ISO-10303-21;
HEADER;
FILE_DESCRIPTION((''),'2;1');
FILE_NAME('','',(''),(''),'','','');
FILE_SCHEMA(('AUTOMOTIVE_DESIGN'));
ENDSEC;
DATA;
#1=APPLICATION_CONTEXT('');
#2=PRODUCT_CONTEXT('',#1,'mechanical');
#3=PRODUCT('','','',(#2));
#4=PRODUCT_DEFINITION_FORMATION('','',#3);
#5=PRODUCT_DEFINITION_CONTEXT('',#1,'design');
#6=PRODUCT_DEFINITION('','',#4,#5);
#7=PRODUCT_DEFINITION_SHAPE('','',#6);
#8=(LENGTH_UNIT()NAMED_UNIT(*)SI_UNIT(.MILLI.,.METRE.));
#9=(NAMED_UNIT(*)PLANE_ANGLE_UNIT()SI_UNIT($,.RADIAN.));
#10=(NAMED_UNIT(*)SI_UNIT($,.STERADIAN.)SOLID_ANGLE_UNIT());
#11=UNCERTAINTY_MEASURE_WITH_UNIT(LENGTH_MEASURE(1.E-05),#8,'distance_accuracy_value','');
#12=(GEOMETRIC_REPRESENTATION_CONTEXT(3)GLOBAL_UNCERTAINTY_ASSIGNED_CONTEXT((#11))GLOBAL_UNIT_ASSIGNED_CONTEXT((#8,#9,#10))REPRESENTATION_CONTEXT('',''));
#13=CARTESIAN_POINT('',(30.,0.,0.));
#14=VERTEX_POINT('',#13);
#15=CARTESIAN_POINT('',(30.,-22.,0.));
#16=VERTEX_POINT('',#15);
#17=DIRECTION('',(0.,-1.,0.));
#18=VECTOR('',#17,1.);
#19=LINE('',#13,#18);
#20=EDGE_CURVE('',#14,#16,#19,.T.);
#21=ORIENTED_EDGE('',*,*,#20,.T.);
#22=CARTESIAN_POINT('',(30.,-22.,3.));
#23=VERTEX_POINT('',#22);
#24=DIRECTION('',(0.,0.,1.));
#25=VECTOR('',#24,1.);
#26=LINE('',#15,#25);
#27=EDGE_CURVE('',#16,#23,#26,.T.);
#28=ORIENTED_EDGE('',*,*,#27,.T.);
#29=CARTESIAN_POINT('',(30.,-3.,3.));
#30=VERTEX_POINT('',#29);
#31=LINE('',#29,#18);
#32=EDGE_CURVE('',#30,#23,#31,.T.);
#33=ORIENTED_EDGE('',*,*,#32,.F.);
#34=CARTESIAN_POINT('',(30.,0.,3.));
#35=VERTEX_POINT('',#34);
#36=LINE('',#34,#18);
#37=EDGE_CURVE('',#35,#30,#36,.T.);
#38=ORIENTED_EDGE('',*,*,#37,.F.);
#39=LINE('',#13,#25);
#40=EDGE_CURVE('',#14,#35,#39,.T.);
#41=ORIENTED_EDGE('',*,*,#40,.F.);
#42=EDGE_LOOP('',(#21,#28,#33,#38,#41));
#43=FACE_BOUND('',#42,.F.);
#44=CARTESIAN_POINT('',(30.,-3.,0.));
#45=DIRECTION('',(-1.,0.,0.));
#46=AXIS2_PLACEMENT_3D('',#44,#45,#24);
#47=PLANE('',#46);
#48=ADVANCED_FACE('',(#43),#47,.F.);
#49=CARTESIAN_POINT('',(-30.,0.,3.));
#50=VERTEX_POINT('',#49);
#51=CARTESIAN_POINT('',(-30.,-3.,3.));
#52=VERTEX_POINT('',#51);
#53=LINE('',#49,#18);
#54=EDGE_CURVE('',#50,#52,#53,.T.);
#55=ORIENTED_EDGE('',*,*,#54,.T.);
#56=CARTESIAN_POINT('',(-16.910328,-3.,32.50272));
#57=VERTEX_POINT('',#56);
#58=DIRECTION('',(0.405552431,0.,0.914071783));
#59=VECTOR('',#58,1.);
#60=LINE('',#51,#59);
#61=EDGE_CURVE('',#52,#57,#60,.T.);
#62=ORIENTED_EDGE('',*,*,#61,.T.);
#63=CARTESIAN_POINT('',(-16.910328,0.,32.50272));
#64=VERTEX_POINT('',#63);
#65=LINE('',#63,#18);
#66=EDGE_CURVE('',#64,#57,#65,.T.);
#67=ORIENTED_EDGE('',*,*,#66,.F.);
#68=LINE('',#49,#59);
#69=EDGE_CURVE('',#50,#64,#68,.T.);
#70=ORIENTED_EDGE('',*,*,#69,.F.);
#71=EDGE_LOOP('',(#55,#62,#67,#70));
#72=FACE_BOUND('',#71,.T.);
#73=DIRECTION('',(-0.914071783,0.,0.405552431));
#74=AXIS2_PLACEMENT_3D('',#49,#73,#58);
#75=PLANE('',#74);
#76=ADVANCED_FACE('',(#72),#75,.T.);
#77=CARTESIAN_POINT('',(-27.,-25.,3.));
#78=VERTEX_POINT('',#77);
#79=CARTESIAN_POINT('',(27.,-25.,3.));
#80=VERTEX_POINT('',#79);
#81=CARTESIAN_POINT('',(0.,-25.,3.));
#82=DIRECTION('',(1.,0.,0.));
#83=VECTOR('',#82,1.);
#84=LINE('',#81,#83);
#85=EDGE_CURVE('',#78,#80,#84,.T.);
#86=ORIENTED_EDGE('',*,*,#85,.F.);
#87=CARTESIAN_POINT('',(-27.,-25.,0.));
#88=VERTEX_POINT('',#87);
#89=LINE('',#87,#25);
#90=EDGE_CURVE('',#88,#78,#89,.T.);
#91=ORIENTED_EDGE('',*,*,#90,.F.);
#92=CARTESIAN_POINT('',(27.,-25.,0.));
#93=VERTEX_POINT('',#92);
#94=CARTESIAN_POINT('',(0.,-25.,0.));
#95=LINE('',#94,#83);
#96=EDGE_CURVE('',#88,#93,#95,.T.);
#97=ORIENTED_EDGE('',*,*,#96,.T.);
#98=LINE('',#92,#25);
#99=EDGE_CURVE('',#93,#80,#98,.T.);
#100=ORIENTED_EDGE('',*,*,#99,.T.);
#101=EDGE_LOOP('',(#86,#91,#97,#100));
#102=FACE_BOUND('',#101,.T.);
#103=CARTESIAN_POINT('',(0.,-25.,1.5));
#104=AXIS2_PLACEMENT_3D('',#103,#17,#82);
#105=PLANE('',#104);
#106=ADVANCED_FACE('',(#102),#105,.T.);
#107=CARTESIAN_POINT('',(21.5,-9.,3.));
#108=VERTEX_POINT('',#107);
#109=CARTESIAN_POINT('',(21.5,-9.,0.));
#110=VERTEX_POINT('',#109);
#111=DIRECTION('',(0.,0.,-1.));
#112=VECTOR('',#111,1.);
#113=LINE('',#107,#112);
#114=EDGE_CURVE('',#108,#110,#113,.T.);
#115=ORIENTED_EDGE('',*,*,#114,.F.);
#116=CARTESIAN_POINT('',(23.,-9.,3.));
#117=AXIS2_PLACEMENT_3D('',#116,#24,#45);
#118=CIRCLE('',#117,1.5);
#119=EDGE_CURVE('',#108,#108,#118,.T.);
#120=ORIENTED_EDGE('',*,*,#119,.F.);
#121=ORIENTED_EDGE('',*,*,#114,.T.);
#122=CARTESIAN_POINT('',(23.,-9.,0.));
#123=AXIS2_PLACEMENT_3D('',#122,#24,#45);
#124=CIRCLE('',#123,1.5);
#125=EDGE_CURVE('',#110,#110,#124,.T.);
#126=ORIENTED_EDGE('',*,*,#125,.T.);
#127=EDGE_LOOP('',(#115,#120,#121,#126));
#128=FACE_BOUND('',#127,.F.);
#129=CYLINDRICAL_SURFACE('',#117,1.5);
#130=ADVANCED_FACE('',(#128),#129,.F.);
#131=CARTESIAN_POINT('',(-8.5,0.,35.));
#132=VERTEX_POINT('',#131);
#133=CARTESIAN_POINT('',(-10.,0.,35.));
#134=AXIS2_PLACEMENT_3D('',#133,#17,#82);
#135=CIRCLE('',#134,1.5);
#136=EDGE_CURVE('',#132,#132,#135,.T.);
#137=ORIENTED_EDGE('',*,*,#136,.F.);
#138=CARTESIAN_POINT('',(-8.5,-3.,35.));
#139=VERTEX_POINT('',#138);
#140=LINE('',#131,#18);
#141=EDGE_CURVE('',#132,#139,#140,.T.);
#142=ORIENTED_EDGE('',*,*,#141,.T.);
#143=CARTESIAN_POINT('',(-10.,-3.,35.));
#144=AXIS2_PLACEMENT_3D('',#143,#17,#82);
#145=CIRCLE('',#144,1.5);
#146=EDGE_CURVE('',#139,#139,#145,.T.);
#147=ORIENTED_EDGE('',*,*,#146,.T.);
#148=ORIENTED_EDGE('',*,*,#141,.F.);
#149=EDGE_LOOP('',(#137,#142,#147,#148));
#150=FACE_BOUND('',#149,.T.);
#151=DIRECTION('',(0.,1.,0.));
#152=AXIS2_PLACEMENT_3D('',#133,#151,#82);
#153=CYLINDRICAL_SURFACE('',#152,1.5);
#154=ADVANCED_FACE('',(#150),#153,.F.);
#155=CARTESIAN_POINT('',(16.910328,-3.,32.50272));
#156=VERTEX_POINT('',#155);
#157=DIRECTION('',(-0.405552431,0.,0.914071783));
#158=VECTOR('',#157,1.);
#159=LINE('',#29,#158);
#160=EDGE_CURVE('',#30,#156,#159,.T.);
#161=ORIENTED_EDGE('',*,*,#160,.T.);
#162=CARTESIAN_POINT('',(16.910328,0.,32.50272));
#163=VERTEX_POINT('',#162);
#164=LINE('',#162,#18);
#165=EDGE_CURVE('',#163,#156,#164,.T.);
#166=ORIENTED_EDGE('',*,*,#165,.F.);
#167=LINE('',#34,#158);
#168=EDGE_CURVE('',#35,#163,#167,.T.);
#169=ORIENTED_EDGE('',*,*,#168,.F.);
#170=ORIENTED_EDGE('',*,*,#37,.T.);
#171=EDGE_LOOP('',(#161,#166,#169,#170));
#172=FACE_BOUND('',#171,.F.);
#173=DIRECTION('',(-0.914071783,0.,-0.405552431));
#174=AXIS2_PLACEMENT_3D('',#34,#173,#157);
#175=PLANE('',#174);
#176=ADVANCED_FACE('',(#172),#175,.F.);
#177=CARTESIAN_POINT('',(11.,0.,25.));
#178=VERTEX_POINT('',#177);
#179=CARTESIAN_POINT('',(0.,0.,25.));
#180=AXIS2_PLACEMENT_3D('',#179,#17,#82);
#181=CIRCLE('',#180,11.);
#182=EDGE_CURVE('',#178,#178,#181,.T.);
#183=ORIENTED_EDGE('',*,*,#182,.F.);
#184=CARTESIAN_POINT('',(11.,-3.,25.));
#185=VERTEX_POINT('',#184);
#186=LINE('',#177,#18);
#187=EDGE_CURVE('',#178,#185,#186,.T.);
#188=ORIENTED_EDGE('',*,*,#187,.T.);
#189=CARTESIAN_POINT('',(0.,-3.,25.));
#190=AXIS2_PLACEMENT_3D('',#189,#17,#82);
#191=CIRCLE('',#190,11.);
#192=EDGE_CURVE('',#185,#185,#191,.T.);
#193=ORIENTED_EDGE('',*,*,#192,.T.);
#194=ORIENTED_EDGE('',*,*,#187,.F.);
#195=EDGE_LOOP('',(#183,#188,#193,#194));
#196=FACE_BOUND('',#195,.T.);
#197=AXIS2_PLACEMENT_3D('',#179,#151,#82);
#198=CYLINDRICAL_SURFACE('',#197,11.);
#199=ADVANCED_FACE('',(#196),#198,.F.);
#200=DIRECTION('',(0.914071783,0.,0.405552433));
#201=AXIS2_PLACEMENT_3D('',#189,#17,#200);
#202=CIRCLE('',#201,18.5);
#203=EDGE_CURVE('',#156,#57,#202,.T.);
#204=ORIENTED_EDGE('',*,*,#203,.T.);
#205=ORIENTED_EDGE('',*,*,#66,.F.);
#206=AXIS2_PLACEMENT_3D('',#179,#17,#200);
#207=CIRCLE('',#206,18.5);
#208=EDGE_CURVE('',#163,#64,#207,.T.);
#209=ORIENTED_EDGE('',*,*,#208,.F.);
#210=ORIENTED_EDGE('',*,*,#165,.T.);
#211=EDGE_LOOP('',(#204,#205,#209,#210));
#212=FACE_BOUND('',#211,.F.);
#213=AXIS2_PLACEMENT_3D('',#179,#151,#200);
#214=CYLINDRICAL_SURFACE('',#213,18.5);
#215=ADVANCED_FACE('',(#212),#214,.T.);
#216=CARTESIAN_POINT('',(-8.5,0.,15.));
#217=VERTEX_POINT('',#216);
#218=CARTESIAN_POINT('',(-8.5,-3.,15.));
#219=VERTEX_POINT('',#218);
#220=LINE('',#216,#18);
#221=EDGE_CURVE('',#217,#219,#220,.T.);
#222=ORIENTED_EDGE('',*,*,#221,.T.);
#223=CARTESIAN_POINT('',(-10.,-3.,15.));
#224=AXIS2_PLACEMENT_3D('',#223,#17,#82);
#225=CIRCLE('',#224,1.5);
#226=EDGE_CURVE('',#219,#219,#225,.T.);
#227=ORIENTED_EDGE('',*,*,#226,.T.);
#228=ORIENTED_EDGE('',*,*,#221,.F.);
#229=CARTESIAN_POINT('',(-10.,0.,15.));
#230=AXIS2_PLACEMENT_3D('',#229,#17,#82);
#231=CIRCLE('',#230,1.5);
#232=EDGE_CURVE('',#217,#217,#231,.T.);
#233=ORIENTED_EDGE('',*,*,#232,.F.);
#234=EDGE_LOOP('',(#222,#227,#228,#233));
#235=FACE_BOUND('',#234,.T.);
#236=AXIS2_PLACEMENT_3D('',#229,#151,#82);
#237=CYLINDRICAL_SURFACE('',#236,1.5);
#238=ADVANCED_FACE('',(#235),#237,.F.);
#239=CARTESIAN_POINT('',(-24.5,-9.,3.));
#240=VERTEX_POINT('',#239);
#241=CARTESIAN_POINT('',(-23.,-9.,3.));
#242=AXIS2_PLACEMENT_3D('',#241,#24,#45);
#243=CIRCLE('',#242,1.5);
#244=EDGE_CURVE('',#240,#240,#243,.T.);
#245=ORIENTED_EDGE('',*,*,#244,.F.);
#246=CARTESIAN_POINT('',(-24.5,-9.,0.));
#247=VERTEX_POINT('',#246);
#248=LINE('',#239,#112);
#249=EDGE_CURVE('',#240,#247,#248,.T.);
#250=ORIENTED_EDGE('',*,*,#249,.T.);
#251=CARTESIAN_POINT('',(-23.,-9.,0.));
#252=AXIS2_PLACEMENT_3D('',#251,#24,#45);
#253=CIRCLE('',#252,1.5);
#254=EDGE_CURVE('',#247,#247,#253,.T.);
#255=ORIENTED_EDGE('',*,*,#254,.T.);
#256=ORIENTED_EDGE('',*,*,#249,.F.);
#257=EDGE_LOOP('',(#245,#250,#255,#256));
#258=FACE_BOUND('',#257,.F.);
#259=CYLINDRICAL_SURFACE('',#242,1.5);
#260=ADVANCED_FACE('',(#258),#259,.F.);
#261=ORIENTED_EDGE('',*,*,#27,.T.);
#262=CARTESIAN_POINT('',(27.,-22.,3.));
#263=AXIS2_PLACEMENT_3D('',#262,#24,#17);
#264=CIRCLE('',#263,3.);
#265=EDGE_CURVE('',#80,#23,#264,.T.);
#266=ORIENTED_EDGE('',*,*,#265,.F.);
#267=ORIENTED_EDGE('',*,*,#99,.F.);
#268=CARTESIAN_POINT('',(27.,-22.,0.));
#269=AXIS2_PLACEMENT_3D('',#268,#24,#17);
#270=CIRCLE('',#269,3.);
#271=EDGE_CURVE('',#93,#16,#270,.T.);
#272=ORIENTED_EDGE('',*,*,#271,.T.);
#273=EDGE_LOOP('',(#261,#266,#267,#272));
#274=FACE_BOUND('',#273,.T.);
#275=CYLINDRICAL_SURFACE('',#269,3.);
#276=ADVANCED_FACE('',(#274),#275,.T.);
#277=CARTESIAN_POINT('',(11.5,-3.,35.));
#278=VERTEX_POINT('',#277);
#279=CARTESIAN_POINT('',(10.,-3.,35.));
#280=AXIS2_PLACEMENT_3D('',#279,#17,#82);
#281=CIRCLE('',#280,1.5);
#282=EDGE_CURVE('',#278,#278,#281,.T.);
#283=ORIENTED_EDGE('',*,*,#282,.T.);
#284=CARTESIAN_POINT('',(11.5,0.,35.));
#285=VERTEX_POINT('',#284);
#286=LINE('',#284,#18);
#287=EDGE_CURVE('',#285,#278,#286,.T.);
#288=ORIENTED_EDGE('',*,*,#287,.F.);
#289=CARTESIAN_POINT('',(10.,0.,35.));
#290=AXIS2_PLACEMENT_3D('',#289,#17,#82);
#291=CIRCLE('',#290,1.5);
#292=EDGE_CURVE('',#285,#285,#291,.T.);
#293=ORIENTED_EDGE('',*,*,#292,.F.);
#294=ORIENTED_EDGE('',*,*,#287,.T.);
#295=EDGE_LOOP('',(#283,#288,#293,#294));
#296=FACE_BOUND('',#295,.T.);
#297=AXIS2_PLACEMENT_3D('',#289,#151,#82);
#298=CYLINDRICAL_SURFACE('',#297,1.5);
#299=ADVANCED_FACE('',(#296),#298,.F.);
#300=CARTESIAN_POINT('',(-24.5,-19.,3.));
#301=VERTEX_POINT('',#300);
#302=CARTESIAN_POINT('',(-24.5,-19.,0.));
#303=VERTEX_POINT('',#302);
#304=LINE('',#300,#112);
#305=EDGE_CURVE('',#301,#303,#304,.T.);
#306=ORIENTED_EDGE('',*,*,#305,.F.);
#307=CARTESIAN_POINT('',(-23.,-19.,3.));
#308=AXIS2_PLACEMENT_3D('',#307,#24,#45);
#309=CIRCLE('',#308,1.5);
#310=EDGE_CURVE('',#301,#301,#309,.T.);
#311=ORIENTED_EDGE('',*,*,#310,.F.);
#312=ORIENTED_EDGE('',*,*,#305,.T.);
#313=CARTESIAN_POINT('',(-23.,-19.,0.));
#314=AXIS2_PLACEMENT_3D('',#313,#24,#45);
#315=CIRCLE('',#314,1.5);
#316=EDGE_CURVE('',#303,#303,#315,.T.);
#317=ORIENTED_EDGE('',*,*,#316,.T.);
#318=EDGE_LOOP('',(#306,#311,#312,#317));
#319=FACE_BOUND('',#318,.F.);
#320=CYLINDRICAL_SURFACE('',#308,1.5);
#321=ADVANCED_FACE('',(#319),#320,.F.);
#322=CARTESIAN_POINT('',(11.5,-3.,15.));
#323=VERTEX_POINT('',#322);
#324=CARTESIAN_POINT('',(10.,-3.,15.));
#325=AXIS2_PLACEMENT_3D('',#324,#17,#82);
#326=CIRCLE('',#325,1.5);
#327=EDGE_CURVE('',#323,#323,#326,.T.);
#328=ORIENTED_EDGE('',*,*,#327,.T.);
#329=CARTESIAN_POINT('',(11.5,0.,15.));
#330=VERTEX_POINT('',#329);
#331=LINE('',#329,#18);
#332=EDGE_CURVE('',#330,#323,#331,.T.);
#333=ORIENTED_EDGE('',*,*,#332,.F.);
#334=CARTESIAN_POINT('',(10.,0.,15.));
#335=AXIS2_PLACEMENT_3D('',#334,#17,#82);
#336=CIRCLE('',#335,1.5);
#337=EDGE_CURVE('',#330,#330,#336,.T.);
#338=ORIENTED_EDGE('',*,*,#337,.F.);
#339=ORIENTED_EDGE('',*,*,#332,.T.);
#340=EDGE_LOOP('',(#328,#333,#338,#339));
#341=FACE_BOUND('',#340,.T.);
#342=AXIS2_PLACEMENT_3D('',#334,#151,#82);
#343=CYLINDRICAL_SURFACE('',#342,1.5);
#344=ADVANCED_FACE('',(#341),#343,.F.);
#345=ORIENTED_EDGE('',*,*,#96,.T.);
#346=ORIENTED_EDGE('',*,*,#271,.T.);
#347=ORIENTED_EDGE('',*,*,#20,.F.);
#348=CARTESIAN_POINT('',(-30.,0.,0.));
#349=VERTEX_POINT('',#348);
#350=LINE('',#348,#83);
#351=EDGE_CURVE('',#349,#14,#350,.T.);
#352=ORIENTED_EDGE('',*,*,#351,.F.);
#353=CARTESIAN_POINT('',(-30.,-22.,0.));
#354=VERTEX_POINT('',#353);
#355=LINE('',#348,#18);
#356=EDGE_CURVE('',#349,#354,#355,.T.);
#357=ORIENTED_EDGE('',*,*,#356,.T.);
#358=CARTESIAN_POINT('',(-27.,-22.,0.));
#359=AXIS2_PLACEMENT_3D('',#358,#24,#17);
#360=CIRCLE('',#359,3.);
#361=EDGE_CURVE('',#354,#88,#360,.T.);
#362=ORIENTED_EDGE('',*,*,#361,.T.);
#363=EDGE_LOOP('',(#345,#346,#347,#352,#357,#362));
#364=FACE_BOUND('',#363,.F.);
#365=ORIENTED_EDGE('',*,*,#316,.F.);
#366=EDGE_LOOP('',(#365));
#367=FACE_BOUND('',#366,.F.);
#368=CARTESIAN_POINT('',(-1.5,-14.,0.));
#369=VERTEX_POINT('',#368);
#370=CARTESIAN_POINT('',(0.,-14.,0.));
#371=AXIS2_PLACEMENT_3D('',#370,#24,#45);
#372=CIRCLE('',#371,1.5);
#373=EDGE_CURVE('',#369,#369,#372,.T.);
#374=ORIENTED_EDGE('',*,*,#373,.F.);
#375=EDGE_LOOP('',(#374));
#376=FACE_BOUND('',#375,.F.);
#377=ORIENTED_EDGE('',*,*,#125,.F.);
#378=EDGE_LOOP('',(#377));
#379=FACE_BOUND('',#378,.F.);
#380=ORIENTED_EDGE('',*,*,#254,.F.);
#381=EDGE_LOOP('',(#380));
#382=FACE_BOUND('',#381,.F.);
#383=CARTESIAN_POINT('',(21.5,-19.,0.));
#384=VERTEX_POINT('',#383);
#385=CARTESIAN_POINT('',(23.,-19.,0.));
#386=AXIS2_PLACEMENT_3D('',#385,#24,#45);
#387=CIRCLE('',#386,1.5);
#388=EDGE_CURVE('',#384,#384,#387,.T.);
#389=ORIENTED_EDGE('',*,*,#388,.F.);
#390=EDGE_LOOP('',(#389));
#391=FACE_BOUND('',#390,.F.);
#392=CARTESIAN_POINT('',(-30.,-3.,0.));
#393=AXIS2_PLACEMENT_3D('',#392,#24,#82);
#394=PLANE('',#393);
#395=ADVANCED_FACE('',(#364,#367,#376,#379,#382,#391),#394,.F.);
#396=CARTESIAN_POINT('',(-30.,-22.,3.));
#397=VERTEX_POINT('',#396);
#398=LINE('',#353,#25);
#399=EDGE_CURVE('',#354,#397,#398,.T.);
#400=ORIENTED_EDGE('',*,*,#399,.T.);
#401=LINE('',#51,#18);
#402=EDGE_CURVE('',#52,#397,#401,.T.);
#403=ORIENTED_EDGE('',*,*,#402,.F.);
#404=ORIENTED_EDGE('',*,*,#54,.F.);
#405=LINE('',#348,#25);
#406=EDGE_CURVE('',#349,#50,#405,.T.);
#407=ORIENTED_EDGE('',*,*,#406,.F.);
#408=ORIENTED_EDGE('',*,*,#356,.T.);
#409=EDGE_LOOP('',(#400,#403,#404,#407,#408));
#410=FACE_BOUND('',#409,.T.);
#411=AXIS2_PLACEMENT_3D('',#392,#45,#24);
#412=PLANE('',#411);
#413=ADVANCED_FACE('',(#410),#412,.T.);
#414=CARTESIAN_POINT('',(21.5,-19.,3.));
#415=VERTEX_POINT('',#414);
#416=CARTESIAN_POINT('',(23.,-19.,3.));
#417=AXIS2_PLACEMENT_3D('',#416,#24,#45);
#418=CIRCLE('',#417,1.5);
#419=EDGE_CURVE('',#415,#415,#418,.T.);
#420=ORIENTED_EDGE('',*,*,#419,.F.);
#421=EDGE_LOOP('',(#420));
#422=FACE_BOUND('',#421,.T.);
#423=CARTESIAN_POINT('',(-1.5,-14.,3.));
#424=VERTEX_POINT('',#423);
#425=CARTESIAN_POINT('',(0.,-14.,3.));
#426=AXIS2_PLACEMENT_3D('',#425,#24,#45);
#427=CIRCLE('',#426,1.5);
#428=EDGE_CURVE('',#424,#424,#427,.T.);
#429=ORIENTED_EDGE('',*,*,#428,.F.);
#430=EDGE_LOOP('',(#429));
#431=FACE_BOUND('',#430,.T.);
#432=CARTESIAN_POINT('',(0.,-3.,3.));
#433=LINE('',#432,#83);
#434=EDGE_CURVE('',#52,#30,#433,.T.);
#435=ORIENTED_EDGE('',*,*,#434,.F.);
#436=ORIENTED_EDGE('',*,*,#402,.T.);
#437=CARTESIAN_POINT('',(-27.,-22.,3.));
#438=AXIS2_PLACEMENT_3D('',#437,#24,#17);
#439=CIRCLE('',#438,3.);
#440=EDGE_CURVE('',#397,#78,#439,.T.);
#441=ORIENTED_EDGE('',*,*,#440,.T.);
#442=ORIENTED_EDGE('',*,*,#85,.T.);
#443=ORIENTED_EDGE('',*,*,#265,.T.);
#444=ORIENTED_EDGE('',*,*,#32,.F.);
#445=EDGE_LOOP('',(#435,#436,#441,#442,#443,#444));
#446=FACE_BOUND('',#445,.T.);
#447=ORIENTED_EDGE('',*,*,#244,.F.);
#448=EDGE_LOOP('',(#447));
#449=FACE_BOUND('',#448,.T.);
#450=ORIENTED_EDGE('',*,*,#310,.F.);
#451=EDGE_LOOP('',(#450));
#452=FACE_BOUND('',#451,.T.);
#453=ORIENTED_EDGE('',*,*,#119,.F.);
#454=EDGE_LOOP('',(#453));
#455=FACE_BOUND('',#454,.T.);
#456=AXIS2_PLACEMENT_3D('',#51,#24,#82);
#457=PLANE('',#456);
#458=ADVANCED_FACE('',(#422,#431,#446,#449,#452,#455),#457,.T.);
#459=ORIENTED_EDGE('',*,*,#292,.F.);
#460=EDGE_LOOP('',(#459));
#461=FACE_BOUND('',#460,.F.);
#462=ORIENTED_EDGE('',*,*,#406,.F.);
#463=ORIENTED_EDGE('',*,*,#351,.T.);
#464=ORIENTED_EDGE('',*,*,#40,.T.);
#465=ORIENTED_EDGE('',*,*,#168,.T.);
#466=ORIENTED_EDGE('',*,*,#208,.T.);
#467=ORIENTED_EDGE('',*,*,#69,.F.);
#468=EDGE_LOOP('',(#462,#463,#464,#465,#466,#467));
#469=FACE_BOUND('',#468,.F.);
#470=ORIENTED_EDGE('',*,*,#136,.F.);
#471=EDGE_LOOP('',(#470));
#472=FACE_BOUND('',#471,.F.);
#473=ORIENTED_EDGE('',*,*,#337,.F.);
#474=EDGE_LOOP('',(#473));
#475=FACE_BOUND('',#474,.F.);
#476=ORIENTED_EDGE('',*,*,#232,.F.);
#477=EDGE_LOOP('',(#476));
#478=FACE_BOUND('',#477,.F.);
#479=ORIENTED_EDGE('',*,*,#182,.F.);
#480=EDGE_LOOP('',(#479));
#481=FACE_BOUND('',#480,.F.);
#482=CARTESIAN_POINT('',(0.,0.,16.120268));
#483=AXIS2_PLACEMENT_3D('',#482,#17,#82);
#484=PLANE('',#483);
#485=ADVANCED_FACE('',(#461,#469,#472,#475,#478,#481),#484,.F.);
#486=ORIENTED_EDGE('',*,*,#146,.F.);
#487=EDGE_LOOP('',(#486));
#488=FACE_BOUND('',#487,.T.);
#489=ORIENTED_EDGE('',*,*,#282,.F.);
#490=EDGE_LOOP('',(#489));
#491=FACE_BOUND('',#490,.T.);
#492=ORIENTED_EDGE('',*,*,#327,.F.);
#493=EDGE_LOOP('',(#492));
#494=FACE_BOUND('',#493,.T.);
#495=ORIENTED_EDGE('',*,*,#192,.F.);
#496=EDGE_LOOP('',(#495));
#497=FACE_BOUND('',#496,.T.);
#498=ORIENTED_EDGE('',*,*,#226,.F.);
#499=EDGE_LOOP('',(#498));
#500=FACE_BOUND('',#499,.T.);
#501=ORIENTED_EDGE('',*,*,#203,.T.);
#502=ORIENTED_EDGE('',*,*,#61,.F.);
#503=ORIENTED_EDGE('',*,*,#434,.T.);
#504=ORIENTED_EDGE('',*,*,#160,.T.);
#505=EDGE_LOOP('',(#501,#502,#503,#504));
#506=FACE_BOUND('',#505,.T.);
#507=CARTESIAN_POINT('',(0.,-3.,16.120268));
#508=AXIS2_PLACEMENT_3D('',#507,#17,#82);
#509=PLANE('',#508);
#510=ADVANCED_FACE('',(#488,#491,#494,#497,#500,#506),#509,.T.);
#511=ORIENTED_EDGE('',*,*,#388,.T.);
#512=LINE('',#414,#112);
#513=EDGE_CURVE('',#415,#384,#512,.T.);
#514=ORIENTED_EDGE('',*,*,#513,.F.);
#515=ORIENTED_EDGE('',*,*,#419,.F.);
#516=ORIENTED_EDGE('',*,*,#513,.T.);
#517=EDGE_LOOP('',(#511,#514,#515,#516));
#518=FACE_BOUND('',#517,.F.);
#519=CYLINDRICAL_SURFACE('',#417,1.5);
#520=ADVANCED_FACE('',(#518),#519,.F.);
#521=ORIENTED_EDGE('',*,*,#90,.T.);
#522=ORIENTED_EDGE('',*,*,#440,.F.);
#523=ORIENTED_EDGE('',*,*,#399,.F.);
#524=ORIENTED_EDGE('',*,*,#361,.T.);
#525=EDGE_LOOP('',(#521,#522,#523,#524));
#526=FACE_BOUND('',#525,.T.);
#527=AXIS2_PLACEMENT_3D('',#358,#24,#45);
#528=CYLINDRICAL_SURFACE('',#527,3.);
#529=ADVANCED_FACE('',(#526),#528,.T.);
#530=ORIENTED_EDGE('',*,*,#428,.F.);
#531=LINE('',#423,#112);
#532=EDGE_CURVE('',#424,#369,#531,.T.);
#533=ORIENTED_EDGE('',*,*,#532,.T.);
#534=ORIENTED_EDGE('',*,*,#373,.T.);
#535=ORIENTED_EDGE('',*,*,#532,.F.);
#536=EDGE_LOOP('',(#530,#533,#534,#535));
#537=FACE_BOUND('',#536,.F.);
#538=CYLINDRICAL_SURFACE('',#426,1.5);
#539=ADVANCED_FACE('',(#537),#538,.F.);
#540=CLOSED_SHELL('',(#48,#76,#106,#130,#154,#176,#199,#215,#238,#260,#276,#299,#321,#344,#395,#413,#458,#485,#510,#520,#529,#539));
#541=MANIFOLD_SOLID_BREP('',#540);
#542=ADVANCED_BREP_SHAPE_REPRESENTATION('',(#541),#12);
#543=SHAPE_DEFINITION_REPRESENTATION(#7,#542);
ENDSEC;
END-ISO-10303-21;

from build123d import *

# Parameters (mm, degrees)
SKETCH_R     = 1.5
SKETCH_R_2   = 11
PAD_DEPTH    = 3
SKETCH003_W  = 60
SKETCH003_H  = 3
PAD001_DEPTH = 22
SKETCH002_R  = 1.5
POCKET_DEPTH = 3
FILLET_R     = 3


with BuildPart() as part:
    # Sketch → Pad (new body)
    with BuildSketch(Plane.XZ):
        with BuildLine():
            ThreePointArc((16.910328, 32.50272), (0, 43.5), (-16.910328, 32.50272))
            Line((-30, 3), (-16.910328, 32.50272))
            Line((-30, 0), (-30, 3))
            Line((-30, 0), (30, 0))
            Line((30, 0), (30, 3))
            Line((30, 3), (16.910328, 32.50272))
        make_face()
        with Locations((10, 15)):
            Circle(SKETCH_R, mode=Mode.SUBTRACT)
        with Locations((10, 35)):
            Circle(SKETCH_R, mode=Mode.SUBTRACT)
        with Locations((-10, 35)):
            Circle(SKETCH_R, mode=Mode.SUBTRACT)
        with Locations((-10, 15)):
            Circle(SKETCH_R, mode=Mode.SUBTRACT)
        with Locations((0, 25)):
            Circle(SKETCH_R_2, mode=Mode.SUBTRACT)
    extrude(amount=PAD_DEPTH)

    # Sketch003 (on Face13 of Pad) → Pad001 (join)
    with BuildSketch(Plane.XZ.offset(3)):
        with Locations((0, 1.5)):
            Rectangle(SKETCH003_W, SKETCH003_H)
    extrude(amount=PAD001_DEPTH)

    # Sketch002 → Pocket (cut)
    with BuildSketch(Plane(origin=(0, 0, 3), x_dir=(-1, 0, 0), z_dir=(0, 0, 1))):
        with Locations((23, 19)):
            Circle(SKETCH002_R)
        with Locations((23, 9)):
            Circle(SKETCH002_R)
        with Locations((-23, 19)):
            Circle(SKETCH002_R)
        with Locations((-23, 9)):
            Circle(SKETCH002_R)
        with Locations((0, 14)):
            Circle(SKETCH002_R)
    extrude(amount=-POCKET_DEPTH, mode=Mode.SUBTRACT)

    # Fillet
    fillet_edges = [part.edges().sort_by_distance(p)[0] for p in [
        (30, -25, 1.5),
        (-30, -25, 1.5),
    ]]
    fillet(fillet_edges, radius=FILLET_R)


solid = part.part
